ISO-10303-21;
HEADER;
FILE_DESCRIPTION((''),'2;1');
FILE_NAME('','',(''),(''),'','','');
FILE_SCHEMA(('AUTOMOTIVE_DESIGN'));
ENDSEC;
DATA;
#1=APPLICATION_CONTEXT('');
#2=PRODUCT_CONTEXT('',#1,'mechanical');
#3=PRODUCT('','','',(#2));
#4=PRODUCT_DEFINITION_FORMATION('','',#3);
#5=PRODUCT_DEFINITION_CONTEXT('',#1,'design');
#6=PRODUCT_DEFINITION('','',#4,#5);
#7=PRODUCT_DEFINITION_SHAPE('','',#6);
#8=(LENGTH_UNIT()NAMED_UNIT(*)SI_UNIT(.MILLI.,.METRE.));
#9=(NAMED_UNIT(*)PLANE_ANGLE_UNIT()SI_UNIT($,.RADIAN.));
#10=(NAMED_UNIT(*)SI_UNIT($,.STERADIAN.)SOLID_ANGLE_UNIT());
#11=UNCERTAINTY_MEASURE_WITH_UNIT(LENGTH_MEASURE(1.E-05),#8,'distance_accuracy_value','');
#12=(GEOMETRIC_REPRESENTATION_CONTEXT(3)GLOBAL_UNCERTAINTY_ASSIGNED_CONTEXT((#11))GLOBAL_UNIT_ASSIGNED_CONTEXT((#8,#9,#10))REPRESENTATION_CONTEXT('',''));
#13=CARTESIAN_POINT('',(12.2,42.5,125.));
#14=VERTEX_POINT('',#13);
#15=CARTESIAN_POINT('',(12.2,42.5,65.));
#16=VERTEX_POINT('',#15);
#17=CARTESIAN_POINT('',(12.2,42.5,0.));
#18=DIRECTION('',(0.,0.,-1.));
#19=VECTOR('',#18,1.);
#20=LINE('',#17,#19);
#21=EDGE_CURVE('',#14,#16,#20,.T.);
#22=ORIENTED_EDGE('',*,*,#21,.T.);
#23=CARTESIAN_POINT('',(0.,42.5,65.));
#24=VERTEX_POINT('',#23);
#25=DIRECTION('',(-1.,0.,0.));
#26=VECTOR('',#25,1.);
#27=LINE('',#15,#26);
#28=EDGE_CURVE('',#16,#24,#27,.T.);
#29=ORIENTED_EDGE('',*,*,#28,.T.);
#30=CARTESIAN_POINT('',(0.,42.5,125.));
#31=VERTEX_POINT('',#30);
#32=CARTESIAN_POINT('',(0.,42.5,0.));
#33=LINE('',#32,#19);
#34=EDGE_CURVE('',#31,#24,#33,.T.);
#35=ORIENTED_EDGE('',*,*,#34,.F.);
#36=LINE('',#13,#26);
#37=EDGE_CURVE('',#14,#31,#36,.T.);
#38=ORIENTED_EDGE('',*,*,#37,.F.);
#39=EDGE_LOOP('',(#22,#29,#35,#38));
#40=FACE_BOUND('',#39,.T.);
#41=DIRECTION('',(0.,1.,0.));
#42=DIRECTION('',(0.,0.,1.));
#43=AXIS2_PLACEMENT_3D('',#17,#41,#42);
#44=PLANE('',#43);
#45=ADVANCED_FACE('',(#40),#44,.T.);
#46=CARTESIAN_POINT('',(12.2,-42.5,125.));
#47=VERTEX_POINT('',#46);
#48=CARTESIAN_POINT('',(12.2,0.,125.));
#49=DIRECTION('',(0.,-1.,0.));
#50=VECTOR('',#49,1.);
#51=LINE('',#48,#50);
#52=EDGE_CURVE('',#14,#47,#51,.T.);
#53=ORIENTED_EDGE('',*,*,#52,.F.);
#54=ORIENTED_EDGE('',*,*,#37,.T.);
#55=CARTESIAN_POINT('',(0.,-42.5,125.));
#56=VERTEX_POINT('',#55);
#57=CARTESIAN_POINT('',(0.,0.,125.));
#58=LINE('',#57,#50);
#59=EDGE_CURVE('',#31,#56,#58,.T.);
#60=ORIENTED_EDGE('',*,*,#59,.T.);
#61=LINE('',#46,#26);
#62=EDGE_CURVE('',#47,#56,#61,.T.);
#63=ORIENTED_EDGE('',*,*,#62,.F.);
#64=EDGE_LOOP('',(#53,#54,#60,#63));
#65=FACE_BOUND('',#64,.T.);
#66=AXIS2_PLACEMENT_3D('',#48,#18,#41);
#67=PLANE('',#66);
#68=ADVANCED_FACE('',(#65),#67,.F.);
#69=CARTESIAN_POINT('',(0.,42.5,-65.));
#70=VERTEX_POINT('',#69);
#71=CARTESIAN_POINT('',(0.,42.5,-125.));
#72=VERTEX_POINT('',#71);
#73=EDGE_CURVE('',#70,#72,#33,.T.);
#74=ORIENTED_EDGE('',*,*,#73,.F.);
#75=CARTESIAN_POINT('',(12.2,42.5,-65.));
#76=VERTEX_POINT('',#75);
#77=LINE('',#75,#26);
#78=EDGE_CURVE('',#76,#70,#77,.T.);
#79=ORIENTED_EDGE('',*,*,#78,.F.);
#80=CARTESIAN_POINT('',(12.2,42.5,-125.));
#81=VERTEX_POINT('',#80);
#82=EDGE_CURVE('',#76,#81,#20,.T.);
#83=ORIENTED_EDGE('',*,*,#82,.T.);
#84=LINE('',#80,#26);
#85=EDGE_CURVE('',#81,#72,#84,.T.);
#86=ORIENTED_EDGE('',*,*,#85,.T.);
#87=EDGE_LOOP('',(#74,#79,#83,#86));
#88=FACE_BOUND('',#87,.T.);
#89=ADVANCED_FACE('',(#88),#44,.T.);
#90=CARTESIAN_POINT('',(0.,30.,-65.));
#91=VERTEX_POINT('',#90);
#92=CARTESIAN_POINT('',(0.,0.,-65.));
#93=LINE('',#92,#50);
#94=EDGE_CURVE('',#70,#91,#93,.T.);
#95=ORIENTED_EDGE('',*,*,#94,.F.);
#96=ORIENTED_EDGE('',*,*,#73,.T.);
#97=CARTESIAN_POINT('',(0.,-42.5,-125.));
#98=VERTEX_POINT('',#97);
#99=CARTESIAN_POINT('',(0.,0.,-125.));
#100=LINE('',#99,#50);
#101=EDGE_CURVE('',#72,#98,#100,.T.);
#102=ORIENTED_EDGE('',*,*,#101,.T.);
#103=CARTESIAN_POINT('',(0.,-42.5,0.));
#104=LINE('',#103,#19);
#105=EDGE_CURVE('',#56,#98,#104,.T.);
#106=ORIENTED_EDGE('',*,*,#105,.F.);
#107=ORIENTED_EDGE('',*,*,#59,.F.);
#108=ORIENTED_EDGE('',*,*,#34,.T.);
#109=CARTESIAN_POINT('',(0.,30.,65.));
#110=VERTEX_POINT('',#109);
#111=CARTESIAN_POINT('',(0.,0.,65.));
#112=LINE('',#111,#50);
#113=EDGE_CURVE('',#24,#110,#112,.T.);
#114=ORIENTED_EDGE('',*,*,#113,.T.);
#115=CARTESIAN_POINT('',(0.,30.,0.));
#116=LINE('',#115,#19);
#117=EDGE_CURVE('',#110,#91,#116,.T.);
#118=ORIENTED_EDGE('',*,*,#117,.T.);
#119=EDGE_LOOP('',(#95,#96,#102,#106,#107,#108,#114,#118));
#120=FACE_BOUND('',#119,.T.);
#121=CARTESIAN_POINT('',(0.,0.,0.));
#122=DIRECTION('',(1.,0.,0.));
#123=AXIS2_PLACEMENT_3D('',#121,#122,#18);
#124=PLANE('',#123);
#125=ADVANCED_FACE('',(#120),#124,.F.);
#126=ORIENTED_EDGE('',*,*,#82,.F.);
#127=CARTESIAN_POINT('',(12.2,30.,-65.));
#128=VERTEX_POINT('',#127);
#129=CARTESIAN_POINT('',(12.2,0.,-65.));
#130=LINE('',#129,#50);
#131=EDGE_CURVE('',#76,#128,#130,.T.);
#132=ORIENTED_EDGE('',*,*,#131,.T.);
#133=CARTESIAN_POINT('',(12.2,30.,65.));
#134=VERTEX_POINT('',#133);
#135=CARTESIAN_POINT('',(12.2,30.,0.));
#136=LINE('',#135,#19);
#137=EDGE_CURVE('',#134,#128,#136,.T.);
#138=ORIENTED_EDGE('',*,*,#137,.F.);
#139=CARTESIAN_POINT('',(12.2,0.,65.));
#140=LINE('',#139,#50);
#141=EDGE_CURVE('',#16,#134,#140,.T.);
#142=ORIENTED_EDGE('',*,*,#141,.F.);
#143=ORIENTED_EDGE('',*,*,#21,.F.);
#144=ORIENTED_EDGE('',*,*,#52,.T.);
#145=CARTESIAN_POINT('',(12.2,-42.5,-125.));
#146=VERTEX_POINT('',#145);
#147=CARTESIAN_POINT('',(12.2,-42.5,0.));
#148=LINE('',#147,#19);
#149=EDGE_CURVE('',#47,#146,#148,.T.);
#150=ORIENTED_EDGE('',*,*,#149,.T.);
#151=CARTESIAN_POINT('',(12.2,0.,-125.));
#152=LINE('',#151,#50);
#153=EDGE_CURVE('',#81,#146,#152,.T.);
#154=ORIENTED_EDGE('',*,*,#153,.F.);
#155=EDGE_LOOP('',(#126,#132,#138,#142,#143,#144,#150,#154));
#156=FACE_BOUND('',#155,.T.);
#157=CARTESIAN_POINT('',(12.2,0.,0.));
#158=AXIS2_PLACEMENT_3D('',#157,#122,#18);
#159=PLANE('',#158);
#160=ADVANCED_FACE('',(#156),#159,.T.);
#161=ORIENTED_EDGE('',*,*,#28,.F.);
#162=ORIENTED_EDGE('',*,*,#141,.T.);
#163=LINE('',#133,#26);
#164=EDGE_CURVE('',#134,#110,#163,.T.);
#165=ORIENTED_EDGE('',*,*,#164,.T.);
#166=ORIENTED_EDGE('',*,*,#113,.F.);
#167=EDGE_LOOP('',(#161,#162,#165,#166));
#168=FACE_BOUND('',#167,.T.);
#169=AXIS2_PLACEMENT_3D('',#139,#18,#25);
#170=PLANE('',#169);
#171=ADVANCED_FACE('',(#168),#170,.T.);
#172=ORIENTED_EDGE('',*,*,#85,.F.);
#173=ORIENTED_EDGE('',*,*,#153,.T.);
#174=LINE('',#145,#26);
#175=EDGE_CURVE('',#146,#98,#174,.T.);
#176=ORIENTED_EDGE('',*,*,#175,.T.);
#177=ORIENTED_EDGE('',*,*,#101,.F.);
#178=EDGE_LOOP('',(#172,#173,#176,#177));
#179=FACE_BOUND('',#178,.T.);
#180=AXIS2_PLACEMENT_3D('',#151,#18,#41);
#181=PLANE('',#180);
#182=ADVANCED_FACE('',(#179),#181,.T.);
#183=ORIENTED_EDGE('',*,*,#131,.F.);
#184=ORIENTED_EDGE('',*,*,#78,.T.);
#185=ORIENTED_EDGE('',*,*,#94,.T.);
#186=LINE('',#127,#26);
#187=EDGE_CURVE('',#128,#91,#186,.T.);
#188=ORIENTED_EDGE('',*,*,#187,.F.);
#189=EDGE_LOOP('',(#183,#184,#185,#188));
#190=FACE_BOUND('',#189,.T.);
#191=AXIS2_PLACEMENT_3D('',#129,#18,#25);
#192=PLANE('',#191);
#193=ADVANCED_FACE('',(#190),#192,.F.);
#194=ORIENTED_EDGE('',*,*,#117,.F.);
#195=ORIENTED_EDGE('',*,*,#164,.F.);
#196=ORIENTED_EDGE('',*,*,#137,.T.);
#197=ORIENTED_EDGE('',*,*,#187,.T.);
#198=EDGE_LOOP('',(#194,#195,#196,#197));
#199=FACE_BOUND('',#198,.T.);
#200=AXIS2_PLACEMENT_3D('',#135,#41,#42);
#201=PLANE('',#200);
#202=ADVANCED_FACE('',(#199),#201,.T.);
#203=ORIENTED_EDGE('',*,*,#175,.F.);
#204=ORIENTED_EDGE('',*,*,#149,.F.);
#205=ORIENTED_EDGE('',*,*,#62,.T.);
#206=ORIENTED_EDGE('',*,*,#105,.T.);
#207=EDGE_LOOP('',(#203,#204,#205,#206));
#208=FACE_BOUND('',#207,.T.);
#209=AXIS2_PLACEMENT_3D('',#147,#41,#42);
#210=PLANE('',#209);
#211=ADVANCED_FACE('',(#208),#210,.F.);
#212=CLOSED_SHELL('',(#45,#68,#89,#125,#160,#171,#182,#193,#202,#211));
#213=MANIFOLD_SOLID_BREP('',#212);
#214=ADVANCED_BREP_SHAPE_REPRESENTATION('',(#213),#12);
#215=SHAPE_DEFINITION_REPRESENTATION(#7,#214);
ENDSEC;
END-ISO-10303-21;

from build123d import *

# Parameters (mm, degrees)
BOSS_EXTRUDE1_DEPTH = 12.2


with BuildPart() as part:
    # Sketch1 → Boss-Extrude1 (new body)
    with BuildSketch(Plane(origin=(0, 0, 0), x_dir=(0, 0, -1), z_dir=(1, 0, 0))):
        Polygon((-65, 42.5), (-125, 42.5), (-125, -42.5), (125, -42.5), (125, 42.5), (65, 42.5), (65, 30), (-65, 30), align=None)
    extrude(amount=BOSS_EXTRUDE1_DEPTH)


solid = part.part
